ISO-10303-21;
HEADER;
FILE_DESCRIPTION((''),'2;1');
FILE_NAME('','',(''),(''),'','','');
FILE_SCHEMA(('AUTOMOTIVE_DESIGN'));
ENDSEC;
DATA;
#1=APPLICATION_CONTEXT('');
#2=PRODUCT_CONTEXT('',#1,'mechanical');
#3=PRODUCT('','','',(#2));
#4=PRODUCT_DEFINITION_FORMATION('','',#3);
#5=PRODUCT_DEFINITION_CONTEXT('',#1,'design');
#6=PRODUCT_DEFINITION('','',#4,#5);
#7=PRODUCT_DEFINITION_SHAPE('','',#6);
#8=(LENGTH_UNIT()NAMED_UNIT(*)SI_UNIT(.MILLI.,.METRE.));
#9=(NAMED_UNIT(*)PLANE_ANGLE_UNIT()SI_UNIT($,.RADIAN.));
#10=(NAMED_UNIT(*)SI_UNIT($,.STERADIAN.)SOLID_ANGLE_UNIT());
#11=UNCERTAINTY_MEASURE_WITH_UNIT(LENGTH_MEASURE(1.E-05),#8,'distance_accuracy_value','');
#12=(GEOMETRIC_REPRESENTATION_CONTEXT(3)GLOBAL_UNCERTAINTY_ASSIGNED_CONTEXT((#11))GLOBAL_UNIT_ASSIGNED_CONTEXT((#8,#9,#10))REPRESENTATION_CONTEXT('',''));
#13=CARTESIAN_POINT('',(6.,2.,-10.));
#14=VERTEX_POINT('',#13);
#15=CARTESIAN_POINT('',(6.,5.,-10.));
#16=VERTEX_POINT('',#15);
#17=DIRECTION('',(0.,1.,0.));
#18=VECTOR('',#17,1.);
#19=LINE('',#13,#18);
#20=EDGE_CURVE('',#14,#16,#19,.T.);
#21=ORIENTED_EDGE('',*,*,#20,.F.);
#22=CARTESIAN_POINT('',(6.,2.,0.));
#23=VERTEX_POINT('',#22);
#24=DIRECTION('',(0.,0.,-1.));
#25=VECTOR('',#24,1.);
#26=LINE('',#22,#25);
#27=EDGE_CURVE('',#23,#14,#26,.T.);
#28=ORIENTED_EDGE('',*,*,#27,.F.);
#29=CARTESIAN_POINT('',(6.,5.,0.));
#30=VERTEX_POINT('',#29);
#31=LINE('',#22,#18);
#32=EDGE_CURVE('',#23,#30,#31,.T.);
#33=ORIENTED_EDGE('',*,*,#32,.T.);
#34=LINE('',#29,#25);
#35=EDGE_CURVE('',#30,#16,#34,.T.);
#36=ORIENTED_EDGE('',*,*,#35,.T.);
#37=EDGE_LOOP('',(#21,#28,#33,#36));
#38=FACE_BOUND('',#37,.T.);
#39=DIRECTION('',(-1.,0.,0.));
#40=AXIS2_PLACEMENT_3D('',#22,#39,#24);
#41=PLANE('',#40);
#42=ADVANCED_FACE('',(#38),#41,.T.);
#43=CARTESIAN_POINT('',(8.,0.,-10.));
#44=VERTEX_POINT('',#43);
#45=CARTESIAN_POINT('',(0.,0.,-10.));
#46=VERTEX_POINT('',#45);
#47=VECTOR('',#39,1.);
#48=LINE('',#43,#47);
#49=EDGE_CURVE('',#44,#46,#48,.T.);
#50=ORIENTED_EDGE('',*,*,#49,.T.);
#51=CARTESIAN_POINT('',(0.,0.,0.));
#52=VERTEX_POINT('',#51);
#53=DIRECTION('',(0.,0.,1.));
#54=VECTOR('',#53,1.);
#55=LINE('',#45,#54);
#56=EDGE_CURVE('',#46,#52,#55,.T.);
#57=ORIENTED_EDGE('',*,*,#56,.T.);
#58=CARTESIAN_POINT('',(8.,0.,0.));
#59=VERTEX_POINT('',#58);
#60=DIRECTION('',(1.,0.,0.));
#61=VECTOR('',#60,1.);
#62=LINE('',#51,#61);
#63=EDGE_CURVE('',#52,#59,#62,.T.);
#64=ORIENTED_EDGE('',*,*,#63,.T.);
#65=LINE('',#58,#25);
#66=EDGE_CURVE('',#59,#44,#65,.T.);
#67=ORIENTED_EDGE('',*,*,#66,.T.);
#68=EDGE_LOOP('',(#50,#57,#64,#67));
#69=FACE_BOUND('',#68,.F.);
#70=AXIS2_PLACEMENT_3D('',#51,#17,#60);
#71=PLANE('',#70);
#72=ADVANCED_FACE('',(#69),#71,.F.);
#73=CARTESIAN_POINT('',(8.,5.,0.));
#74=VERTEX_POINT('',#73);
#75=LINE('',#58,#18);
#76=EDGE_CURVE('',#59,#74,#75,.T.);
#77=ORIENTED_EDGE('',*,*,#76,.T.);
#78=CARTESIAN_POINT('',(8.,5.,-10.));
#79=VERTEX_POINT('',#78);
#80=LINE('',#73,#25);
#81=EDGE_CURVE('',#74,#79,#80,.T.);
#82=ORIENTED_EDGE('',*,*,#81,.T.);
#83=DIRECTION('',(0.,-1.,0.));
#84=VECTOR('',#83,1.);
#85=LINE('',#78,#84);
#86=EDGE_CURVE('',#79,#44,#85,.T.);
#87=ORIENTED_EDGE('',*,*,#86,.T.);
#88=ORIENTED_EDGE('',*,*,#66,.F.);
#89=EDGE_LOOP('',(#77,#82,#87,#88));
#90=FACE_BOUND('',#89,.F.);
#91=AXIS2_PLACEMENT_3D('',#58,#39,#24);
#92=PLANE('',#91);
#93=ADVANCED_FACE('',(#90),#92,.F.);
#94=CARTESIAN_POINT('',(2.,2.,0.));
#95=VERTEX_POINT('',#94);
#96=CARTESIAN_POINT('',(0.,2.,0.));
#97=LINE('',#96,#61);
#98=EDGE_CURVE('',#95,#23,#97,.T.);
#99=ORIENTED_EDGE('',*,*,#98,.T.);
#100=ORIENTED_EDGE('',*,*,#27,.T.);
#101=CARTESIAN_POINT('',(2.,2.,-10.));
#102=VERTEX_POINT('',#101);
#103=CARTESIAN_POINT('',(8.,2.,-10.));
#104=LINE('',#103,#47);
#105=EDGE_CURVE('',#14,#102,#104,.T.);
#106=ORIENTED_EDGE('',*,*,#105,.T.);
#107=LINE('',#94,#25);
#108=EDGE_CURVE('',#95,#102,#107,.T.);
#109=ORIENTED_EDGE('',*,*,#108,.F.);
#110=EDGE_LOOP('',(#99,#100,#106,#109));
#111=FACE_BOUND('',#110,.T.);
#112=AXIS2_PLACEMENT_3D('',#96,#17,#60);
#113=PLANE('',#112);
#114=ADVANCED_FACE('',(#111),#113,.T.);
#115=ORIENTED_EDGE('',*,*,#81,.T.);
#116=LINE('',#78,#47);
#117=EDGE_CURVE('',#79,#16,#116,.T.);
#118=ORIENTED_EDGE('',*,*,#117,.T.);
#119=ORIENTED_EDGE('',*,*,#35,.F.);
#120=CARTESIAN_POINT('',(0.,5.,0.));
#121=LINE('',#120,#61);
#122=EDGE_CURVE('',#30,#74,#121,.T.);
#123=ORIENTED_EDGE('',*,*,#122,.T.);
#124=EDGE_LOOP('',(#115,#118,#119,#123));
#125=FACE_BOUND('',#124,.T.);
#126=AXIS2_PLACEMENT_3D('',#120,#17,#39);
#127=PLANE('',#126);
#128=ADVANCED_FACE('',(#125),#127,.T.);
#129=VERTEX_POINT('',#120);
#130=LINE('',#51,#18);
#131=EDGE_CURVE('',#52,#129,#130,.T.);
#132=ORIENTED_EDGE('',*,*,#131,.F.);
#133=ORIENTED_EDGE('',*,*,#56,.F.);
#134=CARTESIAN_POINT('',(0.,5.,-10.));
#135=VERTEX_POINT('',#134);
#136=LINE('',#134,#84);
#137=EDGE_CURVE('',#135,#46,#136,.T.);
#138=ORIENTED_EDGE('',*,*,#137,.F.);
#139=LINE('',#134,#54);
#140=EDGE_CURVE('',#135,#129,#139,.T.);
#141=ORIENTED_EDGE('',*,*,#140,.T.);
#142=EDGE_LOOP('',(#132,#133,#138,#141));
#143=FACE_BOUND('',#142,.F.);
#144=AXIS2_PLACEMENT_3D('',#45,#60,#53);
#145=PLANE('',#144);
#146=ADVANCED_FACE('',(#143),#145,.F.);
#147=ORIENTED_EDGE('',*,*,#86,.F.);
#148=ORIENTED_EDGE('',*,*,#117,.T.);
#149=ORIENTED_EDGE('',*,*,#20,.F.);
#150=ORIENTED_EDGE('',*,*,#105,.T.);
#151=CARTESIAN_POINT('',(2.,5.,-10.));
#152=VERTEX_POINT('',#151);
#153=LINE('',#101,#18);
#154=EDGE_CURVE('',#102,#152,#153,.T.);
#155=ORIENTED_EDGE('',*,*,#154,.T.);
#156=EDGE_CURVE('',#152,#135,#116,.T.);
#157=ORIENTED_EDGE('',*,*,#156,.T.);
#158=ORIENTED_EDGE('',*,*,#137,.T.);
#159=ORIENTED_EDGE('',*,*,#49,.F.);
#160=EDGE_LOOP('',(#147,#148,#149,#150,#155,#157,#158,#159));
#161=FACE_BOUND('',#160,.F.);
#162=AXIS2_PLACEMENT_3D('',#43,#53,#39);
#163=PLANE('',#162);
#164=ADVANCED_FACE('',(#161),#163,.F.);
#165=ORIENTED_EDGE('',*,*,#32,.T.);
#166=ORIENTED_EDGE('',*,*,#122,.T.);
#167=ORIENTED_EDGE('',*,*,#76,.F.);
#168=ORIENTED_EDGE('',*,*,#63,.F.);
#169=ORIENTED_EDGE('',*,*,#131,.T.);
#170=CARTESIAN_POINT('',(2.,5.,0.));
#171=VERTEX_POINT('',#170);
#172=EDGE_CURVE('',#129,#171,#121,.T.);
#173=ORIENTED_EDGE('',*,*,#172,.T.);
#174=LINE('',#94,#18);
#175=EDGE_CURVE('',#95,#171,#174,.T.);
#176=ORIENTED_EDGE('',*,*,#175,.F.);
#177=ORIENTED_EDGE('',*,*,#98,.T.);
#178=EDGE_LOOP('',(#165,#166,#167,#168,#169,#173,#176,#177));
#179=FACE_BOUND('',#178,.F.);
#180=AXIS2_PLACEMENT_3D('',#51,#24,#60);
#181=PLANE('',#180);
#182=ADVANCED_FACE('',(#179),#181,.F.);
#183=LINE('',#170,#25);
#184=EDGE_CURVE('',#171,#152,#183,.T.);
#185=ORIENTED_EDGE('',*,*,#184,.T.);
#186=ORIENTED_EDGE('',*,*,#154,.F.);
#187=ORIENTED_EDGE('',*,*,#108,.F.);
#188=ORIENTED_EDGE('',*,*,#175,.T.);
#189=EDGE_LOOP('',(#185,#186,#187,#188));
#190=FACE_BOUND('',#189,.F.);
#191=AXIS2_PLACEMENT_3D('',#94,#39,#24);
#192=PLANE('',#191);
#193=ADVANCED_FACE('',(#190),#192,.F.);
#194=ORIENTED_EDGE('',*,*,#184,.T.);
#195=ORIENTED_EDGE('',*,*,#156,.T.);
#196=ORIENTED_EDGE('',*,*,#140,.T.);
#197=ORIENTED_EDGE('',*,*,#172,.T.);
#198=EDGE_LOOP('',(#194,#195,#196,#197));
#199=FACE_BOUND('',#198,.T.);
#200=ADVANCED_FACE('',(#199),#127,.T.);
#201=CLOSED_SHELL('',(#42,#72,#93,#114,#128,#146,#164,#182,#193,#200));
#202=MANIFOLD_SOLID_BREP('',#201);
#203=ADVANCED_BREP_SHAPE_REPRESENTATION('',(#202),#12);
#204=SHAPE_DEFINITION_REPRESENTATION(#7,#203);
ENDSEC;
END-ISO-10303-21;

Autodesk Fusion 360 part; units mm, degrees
sketch "Sketch1" plane through (0, 0, 0) normal (0, 1, 0) x (1, 0, 0)
  line L0 (0, 0) -> (8, 0)
  line L1 (8, 0) -> (8, 10)
  line L2 (8, 10) -> (0, 10)
  line L3 (0, 10) -> (0, 0)
  dimension "d1" = 8
  dimension "d2" = 10
extrude "Extrude1" add sketch "Sketch1" along normal blind 2
sketch "Sketch3" plane through (0, 2, 0) normal (0, 1, 0) x (-1, 0, 0)
  line L0 (0, -10) -> (0, 0)
  line L1 (0, 0) -> (-8, 0)
  line L2 (-8, 0) -> (-8, -10)
  line L3 (-8, -10) -> (0, -10)
  line L4 (0, 0) -> (-2, 0)
  line L5 (-2, 0) -> (-2, -10)
  line L6 (-2, -10) -> (0, -10)
  line L7 (0, -10) -> (0, 0)
  line L8 (-8, 0) -> (-6, 0)
  line L9 (-6, 0) -> (-6, -10)
  line L10 (-6, -10) -> (-8, -10)
  line L11 (-8, -10) -> (-8, 0)
  dimension "d5" = 2
  dimension "d6" = 2
extrude "Extrude2" add sketch "Sketch3" along normal blind 3 contours L0 L1 L3 L4 L5 L6 L7 | L1 L2 L3 L8 L9 L10 L11
